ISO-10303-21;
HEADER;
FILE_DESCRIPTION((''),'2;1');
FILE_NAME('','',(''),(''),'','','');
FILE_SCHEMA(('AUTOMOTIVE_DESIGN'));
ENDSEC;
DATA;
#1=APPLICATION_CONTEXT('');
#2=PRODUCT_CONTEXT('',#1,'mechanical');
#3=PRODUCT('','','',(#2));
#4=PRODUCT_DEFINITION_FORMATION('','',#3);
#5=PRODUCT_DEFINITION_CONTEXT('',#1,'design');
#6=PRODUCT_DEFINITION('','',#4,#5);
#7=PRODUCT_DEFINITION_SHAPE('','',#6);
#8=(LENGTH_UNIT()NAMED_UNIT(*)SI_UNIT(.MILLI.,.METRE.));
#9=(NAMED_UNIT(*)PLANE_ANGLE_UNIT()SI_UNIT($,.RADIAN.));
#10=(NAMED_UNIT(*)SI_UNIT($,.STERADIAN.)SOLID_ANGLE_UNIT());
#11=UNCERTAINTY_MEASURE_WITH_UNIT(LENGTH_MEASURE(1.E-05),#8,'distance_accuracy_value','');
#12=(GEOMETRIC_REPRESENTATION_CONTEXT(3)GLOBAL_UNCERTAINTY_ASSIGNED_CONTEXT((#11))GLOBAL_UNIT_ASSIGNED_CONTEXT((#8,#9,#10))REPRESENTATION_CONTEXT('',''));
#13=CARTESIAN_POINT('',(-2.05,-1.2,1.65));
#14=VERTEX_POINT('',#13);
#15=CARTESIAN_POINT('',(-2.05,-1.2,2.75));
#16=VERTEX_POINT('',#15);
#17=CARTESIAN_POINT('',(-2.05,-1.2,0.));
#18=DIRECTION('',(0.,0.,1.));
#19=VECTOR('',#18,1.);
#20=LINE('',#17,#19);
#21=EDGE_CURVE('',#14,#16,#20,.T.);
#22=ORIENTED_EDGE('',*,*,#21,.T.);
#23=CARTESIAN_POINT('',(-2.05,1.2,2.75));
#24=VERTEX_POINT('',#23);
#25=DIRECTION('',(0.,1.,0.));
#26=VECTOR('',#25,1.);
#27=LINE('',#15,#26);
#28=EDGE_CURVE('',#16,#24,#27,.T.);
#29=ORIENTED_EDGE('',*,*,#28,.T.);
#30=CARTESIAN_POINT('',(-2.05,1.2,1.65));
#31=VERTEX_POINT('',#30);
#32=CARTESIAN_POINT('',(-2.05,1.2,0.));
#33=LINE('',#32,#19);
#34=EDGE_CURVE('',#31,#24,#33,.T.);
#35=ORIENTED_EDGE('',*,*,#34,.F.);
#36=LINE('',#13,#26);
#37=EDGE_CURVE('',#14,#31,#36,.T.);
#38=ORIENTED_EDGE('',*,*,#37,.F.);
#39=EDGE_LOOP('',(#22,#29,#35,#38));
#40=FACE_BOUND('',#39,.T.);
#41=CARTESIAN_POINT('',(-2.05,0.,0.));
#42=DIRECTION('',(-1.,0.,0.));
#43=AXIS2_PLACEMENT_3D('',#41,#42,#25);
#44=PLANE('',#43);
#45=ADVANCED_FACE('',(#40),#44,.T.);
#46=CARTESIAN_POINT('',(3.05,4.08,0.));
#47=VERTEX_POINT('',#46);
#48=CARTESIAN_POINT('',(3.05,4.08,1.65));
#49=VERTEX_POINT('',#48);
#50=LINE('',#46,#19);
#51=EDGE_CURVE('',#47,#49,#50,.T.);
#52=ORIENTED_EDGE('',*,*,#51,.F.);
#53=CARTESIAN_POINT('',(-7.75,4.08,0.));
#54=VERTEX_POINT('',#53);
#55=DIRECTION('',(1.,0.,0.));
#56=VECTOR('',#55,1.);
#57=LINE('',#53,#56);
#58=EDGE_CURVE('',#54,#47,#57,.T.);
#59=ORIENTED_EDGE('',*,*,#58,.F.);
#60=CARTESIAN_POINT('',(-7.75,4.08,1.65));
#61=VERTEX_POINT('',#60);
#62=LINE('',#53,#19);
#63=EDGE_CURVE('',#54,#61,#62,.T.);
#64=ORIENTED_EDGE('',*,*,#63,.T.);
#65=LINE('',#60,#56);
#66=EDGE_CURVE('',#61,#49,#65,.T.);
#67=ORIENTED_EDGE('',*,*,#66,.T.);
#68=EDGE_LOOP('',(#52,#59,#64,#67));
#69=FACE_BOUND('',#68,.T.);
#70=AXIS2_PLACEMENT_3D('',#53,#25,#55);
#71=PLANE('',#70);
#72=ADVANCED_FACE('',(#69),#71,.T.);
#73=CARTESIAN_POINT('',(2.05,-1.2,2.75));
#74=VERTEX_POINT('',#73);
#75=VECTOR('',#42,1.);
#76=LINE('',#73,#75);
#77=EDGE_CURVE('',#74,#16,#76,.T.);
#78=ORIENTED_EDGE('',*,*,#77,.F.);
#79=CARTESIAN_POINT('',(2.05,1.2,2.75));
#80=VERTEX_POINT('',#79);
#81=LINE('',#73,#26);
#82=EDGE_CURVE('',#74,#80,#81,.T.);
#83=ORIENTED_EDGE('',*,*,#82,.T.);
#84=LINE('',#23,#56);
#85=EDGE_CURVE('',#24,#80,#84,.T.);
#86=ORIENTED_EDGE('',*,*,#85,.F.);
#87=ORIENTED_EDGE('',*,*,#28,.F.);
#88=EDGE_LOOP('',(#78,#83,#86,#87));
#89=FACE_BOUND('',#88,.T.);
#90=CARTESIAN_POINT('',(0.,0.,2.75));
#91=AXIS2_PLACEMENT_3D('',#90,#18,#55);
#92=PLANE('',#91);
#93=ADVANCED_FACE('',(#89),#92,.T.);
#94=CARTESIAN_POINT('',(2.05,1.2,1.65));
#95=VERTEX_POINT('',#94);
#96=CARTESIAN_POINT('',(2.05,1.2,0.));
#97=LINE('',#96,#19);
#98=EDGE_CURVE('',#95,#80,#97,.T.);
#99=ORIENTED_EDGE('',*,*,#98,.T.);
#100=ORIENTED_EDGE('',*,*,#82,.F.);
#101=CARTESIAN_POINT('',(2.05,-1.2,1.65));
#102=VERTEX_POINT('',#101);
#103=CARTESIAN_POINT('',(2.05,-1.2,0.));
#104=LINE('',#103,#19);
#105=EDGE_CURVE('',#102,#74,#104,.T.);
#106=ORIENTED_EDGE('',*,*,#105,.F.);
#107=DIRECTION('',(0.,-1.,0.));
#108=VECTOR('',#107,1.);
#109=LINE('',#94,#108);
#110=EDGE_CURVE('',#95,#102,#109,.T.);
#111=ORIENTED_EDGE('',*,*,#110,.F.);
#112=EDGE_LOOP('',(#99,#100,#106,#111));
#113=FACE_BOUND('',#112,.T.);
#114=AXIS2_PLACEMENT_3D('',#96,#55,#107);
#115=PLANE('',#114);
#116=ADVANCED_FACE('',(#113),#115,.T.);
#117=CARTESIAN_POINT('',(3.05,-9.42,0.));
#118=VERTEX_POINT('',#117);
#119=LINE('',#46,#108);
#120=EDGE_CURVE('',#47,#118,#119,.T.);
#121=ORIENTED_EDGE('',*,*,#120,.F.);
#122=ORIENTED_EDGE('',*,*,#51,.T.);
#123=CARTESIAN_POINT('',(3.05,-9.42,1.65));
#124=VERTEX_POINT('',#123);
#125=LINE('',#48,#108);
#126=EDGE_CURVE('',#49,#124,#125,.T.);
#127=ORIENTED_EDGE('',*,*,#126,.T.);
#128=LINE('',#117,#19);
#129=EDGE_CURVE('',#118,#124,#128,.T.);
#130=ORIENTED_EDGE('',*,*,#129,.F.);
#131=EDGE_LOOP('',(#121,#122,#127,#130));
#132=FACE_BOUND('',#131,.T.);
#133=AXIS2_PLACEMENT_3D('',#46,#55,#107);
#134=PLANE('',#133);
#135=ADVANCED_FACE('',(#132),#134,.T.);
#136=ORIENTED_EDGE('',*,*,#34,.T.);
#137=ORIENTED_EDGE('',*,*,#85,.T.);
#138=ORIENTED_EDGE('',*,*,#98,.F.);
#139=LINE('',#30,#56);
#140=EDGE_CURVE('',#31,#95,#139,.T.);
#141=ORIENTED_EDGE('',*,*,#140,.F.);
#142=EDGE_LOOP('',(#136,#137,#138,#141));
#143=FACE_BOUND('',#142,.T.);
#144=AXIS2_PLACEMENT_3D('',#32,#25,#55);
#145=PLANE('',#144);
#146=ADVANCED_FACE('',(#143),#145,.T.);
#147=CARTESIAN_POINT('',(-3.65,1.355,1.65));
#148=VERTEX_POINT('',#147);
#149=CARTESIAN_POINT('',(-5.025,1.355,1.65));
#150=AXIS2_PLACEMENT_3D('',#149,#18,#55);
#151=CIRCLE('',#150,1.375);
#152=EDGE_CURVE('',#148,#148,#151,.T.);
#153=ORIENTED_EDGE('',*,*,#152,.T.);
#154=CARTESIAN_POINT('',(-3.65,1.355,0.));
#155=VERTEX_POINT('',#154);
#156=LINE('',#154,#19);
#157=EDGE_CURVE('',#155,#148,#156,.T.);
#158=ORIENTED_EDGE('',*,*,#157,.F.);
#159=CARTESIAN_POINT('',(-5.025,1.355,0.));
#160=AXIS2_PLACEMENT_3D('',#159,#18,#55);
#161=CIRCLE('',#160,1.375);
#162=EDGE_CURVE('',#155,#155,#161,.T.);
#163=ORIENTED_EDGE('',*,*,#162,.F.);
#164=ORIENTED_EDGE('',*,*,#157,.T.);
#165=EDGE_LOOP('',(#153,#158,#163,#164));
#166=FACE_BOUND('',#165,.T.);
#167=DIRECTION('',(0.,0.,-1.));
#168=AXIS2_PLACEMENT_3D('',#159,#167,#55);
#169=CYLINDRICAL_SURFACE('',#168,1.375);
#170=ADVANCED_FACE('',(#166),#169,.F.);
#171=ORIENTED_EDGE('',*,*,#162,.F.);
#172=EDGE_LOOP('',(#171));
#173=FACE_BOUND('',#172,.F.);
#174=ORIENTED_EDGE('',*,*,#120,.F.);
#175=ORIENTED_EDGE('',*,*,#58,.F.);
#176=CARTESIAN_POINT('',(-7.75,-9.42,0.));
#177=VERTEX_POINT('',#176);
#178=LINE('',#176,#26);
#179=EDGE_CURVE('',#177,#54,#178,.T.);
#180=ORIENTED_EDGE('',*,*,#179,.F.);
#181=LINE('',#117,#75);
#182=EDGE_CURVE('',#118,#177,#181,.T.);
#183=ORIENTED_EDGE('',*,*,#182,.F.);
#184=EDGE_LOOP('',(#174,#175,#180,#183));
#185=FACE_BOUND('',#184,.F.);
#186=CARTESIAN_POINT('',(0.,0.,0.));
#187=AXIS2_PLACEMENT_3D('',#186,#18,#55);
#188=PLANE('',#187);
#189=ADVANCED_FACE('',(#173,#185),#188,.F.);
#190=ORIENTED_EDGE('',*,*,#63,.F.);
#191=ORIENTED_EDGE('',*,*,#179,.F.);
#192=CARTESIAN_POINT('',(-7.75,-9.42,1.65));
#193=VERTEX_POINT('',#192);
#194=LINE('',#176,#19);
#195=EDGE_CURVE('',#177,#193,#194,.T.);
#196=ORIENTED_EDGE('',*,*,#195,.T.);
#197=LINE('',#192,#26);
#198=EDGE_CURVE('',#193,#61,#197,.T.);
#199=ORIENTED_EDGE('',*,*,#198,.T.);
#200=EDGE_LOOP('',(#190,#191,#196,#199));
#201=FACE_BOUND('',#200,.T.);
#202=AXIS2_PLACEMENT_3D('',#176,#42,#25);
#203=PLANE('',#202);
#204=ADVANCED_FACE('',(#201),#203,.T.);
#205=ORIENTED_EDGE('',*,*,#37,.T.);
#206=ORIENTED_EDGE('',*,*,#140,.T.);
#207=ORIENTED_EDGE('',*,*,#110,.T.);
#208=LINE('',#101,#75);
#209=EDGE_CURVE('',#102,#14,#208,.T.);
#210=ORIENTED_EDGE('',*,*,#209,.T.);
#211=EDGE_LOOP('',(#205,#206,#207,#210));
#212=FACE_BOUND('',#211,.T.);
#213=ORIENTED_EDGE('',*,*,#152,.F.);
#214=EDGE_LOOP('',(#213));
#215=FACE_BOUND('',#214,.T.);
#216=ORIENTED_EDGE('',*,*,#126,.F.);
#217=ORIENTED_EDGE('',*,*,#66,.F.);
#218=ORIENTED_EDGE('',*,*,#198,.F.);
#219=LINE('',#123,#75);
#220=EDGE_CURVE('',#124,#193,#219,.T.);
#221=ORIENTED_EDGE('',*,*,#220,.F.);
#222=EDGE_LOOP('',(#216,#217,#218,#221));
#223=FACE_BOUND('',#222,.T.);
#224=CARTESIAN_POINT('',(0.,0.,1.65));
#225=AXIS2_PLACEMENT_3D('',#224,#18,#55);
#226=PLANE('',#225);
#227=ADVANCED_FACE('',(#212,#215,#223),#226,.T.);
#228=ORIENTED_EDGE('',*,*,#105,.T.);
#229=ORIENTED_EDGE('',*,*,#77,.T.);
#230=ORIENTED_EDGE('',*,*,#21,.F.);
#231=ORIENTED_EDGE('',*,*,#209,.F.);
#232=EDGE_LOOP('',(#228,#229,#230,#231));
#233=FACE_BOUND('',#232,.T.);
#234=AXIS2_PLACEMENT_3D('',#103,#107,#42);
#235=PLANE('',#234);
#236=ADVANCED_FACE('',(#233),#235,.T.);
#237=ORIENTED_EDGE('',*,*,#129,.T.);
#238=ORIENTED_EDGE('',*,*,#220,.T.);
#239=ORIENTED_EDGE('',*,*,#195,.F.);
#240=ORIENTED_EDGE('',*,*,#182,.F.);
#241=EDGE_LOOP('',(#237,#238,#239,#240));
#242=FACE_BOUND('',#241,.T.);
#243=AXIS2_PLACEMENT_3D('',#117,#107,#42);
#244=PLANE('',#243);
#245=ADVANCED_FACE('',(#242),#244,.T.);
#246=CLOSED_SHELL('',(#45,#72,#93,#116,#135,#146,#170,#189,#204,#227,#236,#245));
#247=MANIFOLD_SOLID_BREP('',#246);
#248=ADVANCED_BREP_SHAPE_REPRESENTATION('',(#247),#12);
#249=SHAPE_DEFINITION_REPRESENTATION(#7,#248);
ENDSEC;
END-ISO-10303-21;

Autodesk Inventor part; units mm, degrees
ref_plane "YZ Plane" through (0, 0, 0) normal (1, 0, 0) x (0, 1, 0)
ref_plane "XZ Plane" through (0, 0, 0) normal (0, 1, 0) x (-1, 0, 0)
ref_plane "XY Plane" through (0, 0, 0) normal (0, 0, 1) x (1, 0, 0)
sketch "Sketch1" plane through (0, 0, 0) normal (0, 0, 1) x (1, 0, 0)
  line L0 (-7.75, 4.08) -> (3.05, 4.08)
  line L1 (3.05, 4.08) -> (3.05, -9.42)
  line L2 (3.05, -9.42) -> (-7.75, -9.42)
  line L3 (-7.75, -9.42) -> (-7.75, 4.08)
  circle A0 centre (-5.025, 1.355) radius 1.375
  line L4 (-2.05, 1.2) -> (2.05, 1.2)
  line L5 (2.05, 1.2) -> (2.05, -1.2)
  line L6 (2.05, -1.2) -> (-2.05, -1.2)
  line L7 (-2.05, -1.2) -> (-2.05, 1.2)
  line L8 (-2.05, 0) -> (2.05, 0)
  line L9 (0, 1.2) -> (0, 0)
  dimension "d0" = 10.8
  dimension "d1" = 13.5
  dimension "d3" = 2.725
  dimension "d4" = 2.75
  dimension "d5" = 4.1
  dimension "d6" = 2.4
  dimension "d8" = 2.88
  dimension "d13" = 1
  dimension "d14" = 2.725
extrude "Extrusion1" add sketch "Sketch1" along normal blind 1.65
extrude "Extrusion2" add sketch "Sketch1" along normal blind 2.75 contours L4 L9 L8 L7 | L4 L5 L8 L9 | L8 L5 L6 L7
properties part number "VL53LDK"
